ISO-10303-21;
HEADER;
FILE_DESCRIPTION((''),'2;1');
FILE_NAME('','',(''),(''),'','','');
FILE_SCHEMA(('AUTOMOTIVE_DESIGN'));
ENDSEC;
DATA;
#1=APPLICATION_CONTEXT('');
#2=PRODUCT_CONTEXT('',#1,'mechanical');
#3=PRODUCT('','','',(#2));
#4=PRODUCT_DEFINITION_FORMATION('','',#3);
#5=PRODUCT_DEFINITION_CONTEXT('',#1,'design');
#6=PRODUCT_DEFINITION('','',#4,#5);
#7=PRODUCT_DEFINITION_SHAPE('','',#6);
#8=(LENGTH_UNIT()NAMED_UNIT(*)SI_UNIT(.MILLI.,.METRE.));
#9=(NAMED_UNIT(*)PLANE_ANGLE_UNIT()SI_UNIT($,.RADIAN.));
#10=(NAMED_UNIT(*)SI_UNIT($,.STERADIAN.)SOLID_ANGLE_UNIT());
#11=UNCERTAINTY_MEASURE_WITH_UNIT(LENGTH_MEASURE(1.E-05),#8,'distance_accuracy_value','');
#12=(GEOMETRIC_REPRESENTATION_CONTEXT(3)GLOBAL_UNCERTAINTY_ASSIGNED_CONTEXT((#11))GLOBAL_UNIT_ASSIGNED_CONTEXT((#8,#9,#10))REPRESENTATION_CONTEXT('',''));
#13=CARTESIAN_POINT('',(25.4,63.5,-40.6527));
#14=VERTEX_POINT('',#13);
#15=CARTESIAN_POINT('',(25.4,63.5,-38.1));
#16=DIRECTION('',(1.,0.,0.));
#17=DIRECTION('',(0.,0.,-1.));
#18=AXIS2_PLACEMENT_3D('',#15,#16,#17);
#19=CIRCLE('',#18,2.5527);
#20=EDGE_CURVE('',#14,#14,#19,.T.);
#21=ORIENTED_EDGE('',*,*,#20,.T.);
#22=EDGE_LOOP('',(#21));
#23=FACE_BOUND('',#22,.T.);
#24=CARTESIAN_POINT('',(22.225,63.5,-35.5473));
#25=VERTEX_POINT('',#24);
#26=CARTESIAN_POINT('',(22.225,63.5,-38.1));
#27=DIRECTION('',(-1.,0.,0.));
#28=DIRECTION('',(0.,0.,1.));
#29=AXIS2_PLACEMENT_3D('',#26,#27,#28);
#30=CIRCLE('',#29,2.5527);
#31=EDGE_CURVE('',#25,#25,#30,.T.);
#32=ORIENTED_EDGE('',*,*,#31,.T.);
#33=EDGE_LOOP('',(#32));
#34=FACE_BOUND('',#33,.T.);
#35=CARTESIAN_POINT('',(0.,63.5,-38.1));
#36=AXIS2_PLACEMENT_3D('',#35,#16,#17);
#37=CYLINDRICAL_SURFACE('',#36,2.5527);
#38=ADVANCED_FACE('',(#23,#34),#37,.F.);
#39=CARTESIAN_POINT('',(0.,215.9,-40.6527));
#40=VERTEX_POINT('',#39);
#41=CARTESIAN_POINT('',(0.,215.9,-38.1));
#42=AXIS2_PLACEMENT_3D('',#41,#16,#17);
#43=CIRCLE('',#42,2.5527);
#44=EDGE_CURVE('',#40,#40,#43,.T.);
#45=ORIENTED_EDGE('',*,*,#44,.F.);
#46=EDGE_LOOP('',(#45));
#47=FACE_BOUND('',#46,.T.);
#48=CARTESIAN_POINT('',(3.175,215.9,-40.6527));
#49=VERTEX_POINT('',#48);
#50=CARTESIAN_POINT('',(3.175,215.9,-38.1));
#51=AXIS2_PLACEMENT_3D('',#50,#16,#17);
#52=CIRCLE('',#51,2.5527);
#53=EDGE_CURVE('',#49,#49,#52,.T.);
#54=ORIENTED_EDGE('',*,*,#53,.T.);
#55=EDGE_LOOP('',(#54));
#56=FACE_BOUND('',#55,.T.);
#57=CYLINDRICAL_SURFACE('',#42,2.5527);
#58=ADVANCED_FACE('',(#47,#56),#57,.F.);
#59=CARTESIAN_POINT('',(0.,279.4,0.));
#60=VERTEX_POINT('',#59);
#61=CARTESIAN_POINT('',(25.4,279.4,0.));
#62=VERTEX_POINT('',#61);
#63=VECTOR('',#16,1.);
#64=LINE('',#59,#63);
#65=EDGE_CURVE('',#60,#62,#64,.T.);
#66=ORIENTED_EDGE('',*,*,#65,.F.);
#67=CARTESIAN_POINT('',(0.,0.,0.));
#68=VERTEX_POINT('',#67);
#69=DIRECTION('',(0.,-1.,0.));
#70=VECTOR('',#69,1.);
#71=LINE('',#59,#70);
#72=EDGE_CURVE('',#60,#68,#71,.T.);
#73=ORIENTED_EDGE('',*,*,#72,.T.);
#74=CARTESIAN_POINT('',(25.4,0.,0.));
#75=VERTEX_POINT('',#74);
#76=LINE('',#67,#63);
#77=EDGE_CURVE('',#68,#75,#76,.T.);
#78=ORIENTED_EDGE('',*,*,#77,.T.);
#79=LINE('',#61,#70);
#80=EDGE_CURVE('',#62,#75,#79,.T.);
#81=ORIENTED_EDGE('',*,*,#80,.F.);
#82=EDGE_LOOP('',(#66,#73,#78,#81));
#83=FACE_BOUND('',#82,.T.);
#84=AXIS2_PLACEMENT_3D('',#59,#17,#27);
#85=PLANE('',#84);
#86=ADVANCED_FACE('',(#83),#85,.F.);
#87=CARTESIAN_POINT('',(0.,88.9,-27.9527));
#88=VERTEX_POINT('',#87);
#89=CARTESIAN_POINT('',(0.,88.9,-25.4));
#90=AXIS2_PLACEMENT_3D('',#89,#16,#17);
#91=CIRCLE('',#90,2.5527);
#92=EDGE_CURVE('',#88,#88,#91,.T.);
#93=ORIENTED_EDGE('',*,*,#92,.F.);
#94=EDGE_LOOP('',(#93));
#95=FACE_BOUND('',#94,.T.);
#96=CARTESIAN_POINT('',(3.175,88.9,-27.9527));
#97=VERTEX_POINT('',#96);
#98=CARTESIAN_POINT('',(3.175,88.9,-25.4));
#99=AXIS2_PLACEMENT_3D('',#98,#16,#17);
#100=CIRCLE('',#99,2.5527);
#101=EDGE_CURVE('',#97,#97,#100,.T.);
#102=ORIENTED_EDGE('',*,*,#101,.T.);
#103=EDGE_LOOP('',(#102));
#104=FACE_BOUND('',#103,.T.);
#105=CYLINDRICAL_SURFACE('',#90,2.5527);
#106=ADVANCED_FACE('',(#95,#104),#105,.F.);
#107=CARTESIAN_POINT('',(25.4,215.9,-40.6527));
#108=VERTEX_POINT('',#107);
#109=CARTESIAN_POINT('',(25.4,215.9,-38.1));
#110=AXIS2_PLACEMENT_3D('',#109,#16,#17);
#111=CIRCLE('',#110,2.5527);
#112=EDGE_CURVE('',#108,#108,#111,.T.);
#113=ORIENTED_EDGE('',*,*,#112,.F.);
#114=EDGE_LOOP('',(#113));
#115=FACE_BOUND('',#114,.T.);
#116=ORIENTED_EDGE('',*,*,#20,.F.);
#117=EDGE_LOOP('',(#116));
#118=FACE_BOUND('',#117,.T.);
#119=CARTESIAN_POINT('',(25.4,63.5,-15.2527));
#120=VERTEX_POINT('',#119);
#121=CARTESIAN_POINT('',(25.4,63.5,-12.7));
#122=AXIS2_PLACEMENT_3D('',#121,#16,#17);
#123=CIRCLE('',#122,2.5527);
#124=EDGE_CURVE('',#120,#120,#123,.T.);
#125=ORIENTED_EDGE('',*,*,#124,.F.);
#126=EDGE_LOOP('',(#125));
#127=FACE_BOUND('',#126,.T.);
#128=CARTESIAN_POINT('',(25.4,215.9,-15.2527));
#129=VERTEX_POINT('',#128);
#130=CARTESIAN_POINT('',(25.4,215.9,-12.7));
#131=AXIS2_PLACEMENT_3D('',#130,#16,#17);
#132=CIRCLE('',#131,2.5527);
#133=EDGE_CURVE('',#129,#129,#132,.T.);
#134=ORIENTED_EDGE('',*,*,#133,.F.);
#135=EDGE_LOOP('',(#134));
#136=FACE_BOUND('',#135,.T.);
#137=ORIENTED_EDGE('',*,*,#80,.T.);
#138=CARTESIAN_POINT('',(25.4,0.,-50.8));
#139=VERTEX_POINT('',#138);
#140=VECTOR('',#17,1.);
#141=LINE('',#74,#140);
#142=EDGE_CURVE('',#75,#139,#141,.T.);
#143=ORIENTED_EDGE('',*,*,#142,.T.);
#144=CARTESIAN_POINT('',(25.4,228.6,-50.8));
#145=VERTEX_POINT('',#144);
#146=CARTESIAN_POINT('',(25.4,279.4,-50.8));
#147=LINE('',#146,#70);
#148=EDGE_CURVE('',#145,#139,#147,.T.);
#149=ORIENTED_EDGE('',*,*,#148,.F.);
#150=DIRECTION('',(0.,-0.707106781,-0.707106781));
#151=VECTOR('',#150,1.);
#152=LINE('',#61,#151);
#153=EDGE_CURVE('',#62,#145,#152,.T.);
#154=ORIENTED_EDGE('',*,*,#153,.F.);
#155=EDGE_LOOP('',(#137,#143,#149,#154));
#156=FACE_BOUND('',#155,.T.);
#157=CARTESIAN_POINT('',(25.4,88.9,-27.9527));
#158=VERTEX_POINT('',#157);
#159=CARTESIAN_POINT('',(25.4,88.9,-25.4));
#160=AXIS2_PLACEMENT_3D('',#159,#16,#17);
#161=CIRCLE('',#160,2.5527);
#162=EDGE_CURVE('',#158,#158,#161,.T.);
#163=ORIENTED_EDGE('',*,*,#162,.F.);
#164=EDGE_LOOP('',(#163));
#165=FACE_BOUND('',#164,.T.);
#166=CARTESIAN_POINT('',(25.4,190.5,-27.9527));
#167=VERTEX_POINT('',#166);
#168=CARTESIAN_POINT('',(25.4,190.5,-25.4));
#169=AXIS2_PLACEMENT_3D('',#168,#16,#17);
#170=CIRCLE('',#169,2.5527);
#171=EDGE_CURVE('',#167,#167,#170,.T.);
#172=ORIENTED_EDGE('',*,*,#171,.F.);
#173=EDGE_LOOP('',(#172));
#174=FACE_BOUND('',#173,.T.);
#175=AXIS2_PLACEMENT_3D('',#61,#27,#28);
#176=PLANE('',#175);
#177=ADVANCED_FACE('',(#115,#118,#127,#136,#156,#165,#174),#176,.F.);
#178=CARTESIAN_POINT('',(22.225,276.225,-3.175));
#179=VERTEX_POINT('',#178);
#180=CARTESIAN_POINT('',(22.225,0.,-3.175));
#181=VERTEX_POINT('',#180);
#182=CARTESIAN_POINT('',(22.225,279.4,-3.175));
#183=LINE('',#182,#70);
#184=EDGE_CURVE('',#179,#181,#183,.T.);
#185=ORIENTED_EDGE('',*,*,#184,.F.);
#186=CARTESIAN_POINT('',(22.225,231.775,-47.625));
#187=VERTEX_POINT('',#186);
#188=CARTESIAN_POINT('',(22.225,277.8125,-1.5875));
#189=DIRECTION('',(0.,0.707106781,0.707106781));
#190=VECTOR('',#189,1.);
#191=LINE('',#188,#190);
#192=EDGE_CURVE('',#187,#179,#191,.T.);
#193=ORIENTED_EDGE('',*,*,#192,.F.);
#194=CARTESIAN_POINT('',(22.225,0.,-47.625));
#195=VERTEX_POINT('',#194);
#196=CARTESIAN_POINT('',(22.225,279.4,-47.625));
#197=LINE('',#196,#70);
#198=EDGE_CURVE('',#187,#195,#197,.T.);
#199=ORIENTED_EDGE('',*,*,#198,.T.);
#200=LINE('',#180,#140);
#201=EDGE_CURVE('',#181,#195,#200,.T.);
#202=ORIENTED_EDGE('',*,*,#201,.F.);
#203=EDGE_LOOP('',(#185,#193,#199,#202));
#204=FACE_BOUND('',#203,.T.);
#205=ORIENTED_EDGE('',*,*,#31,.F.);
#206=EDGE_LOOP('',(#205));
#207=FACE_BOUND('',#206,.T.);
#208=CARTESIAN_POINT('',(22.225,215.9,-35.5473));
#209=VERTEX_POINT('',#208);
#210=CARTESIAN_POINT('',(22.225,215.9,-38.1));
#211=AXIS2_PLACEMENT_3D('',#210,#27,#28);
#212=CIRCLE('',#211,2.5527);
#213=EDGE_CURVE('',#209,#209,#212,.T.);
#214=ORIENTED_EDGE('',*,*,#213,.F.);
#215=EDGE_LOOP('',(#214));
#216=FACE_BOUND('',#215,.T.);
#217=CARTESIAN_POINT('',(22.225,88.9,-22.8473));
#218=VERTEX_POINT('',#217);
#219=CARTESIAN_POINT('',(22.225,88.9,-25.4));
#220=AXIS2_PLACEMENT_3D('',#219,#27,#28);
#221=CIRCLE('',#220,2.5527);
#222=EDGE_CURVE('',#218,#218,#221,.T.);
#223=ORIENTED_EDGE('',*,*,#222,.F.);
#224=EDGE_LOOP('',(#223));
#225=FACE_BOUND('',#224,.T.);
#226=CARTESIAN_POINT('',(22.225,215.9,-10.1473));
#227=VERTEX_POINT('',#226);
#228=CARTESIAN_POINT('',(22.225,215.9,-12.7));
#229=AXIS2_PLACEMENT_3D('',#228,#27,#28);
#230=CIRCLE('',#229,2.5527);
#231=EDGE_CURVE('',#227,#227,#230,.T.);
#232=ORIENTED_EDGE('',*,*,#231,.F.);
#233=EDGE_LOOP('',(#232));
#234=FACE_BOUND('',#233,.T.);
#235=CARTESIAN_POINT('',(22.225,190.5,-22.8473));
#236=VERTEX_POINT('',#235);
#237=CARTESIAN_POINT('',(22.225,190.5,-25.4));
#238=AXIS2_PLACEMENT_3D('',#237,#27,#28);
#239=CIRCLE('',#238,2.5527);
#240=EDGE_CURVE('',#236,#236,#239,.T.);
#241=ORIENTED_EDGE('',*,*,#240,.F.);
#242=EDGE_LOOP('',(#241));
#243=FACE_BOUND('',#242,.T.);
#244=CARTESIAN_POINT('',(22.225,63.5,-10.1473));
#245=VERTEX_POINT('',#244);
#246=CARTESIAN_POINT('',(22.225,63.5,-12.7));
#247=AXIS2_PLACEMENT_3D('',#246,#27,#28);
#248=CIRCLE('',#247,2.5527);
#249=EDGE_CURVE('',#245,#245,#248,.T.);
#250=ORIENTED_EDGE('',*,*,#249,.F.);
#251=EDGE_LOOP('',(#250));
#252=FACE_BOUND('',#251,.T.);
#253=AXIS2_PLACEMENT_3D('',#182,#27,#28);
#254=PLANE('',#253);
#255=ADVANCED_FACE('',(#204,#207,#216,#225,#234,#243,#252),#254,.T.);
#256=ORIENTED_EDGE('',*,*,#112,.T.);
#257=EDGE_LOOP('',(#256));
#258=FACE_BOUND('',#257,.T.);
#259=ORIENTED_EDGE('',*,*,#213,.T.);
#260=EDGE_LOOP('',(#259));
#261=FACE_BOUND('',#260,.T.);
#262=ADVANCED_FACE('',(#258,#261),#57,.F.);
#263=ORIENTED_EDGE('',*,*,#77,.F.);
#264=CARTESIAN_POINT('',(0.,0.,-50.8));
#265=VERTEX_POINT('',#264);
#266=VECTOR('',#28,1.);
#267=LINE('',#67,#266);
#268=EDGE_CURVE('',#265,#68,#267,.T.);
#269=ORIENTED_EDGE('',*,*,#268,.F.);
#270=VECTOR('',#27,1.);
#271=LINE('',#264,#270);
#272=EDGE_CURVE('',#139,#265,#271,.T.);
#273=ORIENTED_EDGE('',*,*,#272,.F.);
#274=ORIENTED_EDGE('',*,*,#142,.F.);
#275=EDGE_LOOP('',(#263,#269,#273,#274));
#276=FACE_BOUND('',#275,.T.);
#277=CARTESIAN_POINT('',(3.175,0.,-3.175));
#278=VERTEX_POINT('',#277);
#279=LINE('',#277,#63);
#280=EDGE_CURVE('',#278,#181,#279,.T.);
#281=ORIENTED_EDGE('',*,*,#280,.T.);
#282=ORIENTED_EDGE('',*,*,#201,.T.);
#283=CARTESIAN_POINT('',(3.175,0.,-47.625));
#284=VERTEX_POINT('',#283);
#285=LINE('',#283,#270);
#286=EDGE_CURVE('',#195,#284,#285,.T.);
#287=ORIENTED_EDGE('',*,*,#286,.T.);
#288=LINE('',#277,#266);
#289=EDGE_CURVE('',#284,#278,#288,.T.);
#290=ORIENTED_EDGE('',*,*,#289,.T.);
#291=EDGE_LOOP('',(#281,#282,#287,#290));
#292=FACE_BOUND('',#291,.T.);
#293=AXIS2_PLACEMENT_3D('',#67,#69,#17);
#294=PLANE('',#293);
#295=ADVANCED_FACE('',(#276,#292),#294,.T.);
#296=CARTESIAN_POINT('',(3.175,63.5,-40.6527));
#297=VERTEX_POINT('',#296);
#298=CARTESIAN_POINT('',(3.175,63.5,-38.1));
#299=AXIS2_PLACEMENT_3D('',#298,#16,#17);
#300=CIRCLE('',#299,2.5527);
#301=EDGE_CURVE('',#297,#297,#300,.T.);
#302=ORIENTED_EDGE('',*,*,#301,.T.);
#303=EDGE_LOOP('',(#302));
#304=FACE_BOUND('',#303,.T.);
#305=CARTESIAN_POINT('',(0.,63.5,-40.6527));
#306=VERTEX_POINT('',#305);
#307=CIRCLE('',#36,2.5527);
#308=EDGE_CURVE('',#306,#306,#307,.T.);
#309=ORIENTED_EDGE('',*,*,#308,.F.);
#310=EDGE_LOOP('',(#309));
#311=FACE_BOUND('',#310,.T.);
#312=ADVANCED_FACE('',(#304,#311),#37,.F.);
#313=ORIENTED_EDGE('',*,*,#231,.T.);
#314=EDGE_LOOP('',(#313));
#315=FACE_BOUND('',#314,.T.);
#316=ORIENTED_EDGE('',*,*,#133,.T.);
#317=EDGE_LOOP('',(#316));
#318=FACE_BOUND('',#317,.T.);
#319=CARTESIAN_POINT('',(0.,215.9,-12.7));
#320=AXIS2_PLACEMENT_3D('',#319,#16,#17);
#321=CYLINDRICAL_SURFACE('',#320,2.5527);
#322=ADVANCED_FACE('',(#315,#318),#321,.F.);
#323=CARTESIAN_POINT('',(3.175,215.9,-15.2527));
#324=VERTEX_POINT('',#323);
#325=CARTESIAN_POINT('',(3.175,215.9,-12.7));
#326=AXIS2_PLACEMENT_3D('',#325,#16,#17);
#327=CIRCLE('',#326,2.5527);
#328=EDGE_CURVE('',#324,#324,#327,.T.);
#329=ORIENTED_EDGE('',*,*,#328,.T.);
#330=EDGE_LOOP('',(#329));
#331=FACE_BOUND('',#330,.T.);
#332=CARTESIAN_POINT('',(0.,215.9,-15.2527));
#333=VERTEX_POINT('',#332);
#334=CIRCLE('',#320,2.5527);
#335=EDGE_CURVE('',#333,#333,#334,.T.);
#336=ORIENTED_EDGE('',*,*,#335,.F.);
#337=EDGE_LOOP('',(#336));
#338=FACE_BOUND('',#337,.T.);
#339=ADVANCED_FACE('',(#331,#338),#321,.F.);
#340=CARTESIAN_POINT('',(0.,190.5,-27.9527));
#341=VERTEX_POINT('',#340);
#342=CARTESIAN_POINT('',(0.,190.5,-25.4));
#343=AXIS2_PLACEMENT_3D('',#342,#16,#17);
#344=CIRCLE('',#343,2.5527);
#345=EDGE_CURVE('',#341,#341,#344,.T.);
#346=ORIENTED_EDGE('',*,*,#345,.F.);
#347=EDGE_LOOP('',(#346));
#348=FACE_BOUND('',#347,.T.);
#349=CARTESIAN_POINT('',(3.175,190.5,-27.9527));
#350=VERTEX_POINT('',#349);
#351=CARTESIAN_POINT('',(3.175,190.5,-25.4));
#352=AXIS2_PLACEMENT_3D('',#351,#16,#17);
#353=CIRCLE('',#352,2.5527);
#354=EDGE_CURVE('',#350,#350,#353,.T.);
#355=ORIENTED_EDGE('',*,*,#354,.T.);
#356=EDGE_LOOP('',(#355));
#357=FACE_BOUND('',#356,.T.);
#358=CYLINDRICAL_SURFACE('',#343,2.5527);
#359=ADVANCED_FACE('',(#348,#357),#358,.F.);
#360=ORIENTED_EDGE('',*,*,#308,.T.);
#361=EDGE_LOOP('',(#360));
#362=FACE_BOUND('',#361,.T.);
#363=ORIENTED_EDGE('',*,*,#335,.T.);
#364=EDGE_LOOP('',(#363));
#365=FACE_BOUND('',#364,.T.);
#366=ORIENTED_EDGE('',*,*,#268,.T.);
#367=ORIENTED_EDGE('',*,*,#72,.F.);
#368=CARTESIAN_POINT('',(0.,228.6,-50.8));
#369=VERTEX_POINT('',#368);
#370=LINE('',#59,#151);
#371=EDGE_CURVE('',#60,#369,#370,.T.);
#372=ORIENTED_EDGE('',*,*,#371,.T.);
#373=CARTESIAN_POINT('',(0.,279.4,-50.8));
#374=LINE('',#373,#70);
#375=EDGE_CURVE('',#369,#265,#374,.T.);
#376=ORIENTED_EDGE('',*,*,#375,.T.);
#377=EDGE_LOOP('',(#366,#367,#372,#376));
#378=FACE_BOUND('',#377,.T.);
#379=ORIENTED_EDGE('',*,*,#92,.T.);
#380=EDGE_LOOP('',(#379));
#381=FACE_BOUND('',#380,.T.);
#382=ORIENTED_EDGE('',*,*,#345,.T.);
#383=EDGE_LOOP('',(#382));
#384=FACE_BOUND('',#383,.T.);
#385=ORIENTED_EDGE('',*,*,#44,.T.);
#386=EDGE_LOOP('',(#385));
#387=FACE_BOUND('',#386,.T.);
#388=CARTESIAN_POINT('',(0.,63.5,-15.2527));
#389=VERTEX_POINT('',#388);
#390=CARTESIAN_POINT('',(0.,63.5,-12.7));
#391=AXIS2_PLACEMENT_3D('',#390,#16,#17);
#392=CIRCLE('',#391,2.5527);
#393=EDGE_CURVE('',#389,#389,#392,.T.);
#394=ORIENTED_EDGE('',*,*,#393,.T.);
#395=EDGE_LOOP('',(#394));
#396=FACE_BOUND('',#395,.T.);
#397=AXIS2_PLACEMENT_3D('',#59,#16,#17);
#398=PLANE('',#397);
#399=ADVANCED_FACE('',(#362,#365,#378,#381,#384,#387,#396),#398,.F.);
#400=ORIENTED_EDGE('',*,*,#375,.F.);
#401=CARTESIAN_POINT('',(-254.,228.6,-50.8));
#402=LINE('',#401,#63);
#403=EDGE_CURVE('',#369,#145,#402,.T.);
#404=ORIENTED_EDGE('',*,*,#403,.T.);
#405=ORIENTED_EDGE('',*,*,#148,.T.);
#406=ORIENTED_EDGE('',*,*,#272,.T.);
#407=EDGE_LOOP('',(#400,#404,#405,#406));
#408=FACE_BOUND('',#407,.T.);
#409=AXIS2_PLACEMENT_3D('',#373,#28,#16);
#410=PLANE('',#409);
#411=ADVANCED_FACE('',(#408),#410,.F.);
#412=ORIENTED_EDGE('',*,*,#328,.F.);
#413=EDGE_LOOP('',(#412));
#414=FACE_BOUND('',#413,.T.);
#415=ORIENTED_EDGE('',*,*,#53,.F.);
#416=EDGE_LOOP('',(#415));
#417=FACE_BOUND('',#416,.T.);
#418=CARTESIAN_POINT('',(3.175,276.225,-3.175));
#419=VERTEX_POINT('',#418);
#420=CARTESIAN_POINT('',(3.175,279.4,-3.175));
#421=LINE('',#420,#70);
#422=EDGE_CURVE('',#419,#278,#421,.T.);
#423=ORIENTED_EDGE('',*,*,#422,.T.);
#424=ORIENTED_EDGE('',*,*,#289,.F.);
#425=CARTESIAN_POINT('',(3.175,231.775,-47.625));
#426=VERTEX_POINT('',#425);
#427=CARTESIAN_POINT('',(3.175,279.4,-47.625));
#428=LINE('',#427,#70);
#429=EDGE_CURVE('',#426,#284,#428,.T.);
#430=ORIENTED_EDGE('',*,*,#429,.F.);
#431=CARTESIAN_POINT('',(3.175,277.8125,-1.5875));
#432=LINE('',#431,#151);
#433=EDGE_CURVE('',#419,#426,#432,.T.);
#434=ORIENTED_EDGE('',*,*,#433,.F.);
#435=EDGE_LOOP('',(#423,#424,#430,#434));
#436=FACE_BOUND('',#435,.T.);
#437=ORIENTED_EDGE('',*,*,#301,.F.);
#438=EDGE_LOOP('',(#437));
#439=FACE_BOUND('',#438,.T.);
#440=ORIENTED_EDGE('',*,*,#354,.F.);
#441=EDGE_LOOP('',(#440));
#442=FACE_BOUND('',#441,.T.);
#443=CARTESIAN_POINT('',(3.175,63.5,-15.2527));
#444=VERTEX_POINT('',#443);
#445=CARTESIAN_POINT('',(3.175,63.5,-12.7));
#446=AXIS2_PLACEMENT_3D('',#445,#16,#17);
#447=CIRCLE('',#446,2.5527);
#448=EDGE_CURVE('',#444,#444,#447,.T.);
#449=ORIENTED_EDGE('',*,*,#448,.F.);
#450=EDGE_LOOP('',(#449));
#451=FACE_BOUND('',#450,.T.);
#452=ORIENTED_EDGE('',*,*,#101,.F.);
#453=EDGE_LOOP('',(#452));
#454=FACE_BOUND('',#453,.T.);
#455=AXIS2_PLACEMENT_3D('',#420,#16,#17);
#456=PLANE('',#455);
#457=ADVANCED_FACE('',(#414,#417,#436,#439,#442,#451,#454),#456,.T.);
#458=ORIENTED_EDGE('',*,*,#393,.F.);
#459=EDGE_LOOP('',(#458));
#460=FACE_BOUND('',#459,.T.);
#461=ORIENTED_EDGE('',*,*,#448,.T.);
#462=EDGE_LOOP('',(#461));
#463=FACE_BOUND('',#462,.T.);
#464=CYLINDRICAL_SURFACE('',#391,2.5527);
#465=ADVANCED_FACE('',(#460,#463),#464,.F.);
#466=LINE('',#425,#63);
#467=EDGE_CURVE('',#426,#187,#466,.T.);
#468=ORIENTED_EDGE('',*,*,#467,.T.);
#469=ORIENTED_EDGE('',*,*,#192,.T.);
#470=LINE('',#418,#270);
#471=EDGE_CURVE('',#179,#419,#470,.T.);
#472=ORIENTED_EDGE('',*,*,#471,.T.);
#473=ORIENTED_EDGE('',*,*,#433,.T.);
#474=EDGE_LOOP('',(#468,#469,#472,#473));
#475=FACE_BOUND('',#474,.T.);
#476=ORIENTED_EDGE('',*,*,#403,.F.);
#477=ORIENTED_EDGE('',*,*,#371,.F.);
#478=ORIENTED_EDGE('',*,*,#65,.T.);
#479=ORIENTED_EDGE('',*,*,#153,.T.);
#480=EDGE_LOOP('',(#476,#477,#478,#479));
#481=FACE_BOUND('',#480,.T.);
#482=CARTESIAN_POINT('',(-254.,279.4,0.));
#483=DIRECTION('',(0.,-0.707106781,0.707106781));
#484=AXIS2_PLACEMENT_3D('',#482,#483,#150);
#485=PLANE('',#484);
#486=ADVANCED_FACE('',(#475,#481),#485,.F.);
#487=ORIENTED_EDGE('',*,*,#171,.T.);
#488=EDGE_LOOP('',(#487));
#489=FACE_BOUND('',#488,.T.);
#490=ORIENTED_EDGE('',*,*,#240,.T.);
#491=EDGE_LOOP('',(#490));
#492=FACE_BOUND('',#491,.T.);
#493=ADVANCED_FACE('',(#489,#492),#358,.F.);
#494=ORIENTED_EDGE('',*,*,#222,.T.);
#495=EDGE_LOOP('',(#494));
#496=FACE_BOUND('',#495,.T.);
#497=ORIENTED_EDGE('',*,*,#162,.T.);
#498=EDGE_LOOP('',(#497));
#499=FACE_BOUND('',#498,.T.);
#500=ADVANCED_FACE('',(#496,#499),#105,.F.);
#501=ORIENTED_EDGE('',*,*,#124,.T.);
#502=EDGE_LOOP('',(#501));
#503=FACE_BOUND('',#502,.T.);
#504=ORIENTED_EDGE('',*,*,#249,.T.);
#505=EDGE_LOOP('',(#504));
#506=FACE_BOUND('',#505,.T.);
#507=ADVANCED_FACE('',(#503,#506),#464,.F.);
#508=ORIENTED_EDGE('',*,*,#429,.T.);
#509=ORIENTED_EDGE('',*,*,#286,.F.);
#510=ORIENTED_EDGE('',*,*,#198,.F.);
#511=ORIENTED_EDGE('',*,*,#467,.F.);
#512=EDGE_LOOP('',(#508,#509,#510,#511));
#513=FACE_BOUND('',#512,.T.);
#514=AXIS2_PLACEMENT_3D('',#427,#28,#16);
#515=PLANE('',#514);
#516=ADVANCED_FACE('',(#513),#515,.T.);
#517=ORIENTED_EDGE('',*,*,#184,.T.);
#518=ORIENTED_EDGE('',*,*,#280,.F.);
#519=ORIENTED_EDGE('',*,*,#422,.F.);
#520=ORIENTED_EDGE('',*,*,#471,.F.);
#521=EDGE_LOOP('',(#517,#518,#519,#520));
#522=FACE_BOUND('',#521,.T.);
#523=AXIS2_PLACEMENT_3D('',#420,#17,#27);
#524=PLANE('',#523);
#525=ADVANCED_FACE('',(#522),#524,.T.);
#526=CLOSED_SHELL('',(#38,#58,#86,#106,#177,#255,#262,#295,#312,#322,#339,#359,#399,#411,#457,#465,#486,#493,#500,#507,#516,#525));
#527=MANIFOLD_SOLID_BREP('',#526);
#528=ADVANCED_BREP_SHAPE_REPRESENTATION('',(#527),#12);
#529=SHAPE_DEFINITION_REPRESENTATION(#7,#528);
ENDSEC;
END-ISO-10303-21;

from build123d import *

# Parameters (mm, degrees)
SKETCH1_W           = 25.4
SKETCH1_H           = 50.8
SKETCH1_W_2         = 19.05
SKETCH1_H_2         = 44.45
BOSS_EXTRUDE1_DEPTH = 279.4
CUT_EXTRUDE1_DEPTH  = 279.4
SKETCH3_R           = 2.5527
CUT_EXTRUDE2_DEPTH  = 25.4


with BuildPart() as part:
    # Sketch1 → Boss-Extrude1 (new body)
    with BuildSketch(Plane(origin=(0, 0, 0), x_dir=(1, 0, 0), z_dir=(0, 1, 0))):
        with Locations((12.7, 25.4)):
            Rectangle(SKETCH1_W, SKETCH1_H)
        with Locations((12.7, 25.4)):
            Rectangle(SKETCH1_W_2, SKETCH1_H_2, mode=Mode.SUBTRACT)
    extrude(amount=BOSS_EXTRUDE1_DEPTH)

    # Sketch2 → Cut-Extrude1 (cut)
    with BuildSketch(Plane(origin=(25.4, 0, 0), x_dir=(0, 0, -1), z_dir=(1, 0, 0))):
        Polygon((0, 279.4), (50.8, 228.6), (50.8, 279.4), align=None)
    extrude(amount=-CUT_EXTRUDE1_DEPTH, mode=Mode.SUBTRACT)

    # Sketch3 → Cut-Extrude2 (cut)
    with BuildSketch(Plane(origin=(25.4, 0, 0), x_dir=(0, 0, -1), z_dir=(1, 0, 0))):
        with Locations((12.7, 215.9)):
            Circle(SKETCH3_R)
        with Locations((38.1, 215.9)):
            Circle(SKETCH3_R)
        with Locations((25.4, 190.5)):
            Circle(SKETCH3_R)
        with Locations((12.7, 63.5)):
            Circle(SKETCH3_R)
        with Locations((38.1, 63.5)):
            Circle(SKETCH3_R)
        with Locations((25.4, 88.9)):
            Circle(SKETCH3_R)
    extrude(amount=-CUT_EXTRUDE2_DEPTH, mode=Mode.SUBTRACT)


solid = part.part
